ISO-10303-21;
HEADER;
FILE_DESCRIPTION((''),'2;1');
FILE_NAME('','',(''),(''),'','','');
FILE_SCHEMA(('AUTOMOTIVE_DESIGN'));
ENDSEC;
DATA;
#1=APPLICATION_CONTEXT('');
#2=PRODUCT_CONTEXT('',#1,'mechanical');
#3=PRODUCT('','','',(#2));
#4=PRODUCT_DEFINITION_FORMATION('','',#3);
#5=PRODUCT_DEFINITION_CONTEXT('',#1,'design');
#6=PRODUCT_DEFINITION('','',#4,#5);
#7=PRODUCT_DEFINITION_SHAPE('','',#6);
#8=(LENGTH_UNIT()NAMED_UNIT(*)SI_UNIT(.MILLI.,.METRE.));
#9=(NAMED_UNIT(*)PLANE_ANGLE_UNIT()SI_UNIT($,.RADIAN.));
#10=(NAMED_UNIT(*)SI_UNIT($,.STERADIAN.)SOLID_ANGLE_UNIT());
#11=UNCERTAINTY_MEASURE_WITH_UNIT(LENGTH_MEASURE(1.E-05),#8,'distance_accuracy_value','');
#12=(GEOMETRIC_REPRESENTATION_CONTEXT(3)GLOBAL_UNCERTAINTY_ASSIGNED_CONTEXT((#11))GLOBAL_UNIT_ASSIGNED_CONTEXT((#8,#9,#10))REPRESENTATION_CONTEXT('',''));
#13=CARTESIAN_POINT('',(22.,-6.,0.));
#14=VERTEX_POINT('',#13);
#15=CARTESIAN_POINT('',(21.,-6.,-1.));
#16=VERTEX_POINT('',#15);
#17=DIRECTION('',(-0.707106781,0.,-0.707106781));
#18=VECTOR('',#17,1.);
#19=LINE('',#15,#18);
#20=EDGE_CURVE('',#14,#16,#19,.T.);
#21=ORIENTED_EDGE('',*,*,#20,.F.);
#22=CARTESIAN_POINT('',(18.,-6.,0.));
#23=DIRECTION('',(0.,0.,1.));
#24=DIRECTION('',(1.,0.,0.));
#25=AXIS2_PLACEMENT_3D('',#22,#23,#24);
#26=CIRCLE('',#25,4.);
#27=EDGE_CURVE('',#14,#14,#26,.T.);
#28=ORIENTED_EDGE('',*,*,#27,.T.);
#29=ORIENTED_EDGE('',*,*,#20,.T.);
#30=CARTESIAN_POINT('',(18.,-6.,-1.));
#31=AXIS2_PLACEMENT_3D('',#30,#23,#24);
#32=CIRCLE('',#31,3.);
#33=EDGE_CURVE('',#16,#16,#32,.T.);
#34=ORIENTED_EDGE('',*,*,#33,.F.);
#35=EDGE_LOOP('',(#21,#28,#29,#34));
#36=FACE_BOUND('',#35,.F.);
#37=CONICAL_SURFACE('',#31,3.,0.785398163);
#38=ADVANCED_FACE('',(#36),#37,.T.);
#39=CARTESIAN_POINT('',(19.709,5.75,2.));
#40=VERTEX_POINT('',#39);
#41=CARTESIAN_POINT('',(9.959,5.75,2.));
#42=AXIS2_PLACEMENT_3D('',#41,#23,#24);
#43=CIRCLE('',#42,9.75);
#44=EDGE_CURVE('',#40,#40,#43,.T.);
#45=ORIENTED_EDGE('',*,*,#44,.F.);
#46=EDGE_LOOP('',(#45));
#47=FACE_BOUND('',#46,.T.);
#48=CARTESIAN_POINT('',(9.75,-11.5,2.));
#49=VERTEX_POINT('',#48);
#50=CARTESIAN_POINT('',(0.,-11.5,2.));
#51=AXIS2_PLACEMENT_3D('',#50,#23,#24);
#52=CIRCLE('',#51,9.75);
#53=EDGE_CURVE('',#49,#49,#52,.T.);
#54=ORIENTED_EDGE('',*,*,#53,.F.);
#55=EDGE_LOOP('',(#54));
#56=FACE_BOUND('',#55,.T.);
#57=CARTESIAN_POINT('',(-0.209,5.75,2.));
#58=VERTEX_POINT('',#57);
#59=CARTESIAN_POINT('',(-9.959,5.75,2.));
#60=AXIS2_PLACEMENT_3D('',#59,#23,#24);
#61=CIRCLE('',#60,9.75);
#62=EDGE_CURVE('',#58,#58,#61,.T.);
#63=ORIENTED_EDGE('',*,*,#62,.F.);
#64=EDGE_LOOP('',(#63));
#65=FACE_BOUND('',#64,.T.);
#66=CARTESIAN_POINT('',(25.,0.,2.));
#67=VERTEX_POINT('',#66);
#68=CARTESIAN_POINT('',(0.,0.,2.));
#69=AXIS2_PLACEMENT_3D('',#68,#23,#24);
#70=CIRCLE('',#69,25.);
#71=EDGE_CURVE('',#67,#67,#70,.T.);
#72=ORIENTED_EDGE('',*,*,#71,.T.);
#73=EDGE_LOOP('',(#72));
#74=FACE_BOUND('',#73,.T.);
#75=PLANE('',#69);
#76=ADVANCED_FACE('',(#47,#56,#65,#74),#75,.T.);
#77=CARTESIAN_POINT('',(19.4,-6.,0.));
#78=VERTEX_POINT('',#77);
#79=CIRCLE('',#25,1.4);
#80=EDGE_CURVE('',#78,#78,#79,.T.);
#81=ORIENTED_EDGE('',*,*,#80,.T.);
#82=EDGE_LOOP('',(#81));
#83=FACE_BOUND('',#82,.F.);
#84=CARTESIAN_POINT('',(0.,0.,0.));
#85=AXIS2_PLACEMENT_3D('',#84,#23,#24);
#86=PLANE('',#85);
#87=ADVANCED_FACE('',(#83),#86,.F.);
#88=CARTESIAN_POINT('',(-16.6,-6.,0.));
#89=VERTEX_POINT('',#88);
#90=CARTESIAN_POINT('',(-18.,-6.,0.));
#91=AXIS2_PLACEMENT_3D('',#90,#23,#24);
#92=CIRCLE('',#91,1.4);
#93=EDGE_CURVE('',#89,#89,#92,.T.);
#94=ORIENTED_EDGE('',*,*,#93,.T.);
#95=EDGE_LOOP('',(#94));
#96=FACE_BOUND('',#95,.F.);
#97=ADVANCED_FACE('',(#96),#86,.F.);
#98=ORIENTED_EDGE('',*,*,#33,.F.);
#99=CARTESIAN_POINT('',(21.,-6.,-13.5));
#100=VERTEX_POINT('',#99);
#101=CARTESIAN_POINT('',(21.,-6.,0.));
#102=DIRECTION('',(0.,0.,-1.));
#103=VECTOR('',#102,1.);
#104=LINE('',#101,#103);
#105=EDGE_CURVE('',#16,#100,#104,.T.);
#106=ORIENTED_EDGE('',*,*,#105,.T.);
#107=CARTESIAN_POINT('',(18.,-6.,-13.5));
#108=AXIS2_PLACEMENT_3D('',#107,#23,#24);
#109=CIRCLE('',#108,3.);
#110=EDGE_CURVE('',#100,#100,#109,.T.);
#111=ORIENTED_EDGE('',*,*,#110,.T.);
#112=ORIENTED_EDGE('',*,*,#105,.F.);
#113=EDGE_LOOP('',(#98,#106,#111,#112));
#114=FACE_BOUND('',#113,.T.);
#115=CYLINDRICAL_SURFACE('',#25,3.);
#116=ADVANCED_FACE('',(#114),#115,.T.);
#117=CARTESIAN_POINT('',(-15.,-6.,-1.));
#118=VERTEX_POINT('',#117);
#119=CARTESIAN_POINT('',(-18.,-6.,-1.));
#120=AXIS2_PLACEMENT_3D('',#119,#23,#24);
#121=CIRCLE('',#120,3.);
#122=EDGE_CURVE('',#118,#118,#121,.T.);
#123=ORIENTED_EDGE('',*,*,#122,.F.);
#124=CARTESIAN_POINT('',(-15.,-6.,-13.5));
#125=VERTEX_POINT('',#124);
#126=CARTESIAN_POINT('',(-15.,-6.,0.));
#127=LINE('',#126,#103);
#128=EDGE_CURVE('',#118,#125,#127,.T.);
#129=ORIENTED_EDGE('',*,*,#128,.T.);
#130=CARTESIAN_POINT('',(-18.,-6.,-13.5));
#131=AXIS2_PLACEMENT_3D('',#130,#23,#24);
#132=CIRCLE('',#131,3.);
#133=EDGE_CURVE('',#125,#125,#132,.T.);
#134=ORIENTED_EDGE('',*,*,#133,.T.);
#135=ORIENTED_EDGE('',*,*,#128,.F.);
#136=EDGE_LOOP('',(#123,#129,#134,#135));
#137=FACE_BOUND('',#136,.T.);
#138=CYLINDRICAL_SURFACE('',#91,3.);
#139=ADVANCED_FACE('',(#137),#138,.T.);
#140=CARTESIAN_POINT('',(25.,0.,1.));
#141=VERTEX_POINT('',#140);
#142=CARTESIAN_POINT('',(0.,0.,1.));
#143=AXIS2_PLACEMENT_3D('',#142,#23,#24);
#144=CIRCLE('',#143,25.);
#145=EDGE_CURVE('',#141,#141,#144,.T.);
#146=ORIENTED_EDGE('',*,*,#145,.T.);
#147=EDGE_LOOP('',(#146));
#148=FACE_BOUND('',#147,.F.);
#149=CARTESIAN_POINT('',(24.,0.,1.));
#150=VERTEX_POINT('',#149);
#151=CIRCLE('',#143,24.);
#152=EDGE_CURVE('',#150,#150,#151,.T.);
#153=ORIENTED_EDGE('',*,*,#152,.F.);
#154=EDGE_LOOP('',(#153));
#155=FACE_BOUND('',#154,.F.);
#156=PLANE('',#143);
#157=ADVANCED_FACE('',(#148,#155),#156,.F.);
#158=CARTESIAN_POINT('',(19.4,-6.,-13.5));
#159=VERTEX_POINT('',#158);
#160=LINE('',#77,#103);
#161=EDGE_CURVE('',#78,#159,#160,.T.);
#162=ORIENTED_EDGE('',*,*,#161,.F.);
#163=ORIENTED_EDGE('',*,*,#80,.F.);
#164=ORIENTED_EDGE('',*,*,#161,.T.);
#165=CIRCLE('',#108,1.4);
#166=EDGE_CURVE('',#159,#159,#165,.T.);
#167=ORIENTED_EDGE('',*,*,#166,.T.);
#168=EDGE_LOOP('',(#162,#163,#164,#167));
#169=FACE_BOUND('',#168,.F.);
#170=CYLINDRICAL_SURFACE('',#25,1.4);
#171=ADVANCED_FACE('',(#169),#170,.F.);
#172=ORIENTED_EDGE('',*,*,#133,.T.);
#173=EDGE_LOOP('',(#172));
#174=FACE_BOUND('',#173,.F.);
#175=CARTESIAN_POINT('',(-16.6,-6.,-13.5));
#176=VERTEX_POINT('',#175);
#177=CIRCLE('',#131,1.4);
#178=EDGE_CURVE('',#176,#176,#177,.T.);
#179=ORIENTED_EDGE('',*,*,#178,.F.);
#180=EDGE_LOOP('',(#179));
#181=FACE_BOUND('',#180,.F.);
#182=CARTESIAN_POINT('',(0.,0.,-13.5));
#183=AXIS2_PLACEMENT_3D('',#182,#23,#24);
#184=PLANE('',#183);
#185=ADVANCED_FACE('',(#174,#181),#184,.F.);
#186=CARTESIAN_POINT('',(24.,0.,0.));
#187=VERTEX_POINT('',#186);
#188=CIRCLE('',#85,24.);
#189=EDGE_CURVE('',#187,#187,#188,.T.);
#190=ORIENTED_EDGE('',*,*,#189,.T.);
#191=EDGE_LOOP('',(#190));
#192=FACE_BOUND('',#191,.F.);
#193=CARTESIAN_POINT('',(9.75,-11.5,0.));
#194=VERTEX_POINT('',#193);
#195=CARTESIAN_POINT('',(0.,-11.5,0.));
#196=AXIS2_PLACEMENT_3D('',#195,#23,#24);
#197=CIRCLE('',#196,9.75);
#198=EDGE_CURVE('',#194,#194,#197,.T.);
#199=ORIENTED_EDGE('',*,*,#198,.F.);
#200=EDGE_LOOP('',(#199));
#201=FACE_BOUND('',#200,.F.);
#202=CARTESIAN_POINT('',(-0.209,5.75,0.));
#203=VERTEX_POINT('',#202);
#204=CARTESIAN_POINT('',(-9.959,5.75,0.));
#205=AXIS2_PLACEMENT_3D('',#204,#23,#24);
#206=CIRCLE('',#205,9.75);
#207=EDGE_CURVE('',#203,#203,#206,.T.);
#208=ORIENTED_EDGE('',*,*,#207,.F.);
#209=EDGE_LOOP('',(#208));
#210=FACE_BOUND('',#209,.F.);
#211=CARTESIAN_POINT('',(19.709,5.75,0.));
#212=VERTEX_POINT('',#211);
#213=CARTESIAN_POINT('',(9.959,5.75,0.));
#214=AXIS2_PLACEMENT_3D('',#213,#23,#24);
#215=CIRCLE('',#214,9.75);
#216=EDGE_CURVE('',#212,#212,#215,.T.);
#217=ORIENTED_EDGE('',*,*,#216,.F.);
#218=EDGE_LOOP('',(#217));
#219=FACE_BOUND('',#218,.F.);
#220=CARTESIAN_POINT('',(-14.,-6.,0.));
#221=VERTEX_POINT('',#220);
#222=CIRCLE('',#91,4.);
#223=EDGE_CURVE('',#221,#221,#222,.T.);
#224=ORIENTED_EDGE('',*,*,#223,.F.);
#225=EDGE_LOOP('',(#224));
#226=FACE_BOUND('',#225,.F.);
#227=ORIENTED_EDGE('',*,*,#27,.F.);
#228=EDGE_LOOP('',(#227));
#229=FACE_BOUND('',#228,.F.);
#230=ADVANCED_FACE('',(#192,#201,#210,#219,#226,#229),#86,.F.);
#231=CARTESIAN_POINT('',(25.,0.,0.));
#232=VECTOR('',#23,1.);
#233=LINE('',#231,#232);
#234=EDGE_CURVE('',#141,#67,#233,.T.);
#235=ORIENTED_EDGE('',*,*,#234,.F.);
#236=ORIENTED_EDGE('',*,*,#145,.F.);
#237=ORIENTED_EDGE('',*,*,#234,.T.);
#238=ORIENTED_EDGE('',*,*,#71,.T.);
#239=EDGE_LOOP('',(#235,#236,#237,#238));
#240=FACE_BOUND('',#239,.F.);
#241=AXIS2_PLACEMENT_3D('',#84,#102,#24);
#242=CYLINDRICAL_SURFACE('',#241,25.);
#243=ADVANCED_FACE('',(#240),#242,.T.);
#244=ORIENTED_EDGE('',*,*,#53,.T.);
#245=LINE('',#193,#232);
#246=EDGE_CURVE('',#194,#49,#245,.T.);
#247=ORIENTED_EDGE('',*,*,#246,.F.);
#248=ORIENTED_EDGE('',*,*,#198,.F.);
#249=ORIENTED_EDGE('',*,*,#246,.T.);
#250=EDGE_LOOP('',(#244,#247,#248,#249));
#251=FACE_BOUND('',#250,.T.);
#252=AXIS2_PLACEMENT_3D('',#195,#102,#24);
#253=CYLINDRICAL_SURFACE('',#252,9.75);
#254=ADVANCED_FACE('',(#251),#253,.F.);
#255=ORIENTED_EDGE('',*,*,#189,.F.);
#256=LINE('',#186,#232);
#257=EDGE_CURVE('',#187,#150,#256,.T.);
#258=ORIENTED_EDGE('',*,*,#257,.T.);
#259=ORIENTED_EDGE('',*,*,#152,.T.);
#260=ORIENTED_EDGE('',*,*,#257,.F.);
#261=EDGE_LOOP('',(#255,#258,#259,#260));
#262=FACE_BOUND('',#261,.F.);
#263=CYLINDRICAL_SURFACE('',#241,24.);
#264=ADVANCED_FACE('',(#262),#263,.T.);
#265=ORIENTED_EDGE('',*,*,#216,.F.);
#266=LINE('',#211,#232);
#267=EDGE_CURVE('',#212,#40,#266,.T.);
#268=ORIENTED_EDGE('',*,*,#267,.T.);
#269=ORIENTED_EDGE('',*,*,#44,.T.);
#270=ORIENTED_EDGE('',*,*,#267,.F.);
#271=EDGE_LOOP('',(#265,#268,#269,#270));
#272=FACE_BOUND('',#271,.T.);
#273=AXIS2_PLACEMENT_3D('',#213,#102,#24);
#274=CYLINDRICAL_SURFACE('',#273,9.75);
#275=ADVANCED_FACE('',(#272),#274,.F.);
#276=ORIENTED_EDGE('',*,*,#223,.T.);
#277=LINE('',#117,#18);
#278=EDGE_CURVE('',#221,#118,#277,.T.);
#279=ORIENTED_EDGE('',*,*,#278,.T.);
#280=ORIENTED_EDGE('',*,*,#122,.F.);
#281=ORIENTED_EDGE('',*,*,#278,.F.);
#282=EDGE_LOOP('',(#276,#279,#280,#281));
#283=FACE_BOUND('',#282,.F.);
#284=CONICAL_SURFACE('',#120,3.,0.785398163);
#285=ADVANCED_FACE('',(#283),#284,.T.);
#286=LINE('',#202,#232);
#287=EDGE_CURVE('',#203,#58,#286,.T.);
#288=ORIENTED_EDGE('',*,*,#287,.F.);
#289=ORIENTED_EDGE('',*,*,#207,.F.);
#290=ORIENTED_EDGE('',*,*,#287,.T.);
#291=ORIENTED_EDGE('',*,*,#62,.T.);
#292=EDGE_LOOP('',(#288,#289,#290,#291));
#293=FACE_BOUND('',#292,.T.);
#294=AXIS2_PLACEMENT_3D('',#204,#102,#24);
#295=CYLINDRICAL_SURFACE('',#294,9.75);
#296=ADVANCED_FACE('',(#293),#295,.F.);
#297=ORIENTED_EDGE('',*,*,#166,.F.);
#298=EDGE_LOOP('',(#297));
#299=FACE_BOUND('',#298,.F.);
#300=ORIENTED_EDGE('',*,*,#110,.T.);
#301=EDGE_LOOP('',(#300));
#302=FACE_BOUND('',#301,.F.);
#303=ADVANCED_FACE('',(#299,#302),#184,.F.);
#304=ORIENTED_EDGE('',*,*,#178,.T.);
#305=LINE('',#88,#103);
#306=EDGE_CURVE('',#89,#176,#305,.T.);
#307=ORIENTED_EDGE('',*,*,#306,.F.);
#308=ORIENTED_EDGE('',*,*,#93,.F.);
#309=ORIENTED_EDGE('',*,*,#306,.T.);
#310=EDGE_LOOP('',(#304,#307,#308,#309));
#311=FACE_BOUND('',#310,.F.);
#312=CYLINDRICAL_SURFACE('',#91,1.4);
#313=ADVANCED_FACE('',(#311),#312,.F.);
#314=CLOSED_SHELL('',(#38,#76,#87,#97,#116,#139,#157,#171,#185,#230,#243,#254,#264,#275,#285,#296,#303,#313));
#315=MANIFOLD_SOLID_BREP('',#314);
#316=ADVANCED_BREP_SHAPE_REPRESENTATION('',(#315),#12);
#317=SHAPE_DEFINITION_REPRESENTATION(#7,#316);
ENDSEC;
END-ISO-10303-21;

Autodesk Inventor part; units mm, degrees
ref_plane "YZ Plane" through (0, 0, 0) normal (1, 0, 0) x (0, 1, 0)
ref_plane "XZ Plane" through (0, 0, 0) normal (0, 1, 0) x (-1, 0, 0)
ref_plane "XY Plane" through (0, 0, 0) normal (0, 0, 1) x (1, 0, 0)
sketch "Sketch1" plane through (0, 0, 0) normal (0, 0, 1) x (1, 0, 0)
  circle A0 centre (-9.959, 5.75) radius 9.75
  circle A1 centre (0, -11.5) radius 9.75
  circle A2 centre (9.959, 5.75) radius 9.75
  circle A3 centre (0, 0) radius 25
  circle A4 centre (-18, -6) radius 1.4
  circle A5 centre (18, -6) radius 1.4
  circle A6 centre (18, -6) radius 3
  circle A7 centre (-18, -6) radius 3
  circle A8 centre (0, 0) radius 24
  dimension "d0" = 19.918
  dimension "d1" = 5.75
  dimension "d3" = 19.5
  dimension "d4" = 9.959
  dimension "d5" = 17.25
  dimension "d6" = 50
  dimension "d9" = 18
  dimension "d10" = 18
  dimension "d11" = 6
  dimension "d12" = 2.8
  dimension "d13" = 6
  dimension "d20" = 1
extrude "Extrusion1" add sketch "Sketch1" along normal blind 2 contours A3 | A4 | A5 | A6 | A7 | A8
extrude "Extrusion2" add sketch "Sketch1" against normal blind 13.5 contours A6 | A7
chamfer "Chamfer1" distance 1 angle 45 2 edges at (15, -6, 0) (-21, -6, 0)
extrude "Extrusion3" cut sketch "Sketch1" along normal blind 1 contours A3
equation "\"d4\" = 0.5 * d0"
equation "\"d10\" = d9"
properties part number "Housing_Front"
